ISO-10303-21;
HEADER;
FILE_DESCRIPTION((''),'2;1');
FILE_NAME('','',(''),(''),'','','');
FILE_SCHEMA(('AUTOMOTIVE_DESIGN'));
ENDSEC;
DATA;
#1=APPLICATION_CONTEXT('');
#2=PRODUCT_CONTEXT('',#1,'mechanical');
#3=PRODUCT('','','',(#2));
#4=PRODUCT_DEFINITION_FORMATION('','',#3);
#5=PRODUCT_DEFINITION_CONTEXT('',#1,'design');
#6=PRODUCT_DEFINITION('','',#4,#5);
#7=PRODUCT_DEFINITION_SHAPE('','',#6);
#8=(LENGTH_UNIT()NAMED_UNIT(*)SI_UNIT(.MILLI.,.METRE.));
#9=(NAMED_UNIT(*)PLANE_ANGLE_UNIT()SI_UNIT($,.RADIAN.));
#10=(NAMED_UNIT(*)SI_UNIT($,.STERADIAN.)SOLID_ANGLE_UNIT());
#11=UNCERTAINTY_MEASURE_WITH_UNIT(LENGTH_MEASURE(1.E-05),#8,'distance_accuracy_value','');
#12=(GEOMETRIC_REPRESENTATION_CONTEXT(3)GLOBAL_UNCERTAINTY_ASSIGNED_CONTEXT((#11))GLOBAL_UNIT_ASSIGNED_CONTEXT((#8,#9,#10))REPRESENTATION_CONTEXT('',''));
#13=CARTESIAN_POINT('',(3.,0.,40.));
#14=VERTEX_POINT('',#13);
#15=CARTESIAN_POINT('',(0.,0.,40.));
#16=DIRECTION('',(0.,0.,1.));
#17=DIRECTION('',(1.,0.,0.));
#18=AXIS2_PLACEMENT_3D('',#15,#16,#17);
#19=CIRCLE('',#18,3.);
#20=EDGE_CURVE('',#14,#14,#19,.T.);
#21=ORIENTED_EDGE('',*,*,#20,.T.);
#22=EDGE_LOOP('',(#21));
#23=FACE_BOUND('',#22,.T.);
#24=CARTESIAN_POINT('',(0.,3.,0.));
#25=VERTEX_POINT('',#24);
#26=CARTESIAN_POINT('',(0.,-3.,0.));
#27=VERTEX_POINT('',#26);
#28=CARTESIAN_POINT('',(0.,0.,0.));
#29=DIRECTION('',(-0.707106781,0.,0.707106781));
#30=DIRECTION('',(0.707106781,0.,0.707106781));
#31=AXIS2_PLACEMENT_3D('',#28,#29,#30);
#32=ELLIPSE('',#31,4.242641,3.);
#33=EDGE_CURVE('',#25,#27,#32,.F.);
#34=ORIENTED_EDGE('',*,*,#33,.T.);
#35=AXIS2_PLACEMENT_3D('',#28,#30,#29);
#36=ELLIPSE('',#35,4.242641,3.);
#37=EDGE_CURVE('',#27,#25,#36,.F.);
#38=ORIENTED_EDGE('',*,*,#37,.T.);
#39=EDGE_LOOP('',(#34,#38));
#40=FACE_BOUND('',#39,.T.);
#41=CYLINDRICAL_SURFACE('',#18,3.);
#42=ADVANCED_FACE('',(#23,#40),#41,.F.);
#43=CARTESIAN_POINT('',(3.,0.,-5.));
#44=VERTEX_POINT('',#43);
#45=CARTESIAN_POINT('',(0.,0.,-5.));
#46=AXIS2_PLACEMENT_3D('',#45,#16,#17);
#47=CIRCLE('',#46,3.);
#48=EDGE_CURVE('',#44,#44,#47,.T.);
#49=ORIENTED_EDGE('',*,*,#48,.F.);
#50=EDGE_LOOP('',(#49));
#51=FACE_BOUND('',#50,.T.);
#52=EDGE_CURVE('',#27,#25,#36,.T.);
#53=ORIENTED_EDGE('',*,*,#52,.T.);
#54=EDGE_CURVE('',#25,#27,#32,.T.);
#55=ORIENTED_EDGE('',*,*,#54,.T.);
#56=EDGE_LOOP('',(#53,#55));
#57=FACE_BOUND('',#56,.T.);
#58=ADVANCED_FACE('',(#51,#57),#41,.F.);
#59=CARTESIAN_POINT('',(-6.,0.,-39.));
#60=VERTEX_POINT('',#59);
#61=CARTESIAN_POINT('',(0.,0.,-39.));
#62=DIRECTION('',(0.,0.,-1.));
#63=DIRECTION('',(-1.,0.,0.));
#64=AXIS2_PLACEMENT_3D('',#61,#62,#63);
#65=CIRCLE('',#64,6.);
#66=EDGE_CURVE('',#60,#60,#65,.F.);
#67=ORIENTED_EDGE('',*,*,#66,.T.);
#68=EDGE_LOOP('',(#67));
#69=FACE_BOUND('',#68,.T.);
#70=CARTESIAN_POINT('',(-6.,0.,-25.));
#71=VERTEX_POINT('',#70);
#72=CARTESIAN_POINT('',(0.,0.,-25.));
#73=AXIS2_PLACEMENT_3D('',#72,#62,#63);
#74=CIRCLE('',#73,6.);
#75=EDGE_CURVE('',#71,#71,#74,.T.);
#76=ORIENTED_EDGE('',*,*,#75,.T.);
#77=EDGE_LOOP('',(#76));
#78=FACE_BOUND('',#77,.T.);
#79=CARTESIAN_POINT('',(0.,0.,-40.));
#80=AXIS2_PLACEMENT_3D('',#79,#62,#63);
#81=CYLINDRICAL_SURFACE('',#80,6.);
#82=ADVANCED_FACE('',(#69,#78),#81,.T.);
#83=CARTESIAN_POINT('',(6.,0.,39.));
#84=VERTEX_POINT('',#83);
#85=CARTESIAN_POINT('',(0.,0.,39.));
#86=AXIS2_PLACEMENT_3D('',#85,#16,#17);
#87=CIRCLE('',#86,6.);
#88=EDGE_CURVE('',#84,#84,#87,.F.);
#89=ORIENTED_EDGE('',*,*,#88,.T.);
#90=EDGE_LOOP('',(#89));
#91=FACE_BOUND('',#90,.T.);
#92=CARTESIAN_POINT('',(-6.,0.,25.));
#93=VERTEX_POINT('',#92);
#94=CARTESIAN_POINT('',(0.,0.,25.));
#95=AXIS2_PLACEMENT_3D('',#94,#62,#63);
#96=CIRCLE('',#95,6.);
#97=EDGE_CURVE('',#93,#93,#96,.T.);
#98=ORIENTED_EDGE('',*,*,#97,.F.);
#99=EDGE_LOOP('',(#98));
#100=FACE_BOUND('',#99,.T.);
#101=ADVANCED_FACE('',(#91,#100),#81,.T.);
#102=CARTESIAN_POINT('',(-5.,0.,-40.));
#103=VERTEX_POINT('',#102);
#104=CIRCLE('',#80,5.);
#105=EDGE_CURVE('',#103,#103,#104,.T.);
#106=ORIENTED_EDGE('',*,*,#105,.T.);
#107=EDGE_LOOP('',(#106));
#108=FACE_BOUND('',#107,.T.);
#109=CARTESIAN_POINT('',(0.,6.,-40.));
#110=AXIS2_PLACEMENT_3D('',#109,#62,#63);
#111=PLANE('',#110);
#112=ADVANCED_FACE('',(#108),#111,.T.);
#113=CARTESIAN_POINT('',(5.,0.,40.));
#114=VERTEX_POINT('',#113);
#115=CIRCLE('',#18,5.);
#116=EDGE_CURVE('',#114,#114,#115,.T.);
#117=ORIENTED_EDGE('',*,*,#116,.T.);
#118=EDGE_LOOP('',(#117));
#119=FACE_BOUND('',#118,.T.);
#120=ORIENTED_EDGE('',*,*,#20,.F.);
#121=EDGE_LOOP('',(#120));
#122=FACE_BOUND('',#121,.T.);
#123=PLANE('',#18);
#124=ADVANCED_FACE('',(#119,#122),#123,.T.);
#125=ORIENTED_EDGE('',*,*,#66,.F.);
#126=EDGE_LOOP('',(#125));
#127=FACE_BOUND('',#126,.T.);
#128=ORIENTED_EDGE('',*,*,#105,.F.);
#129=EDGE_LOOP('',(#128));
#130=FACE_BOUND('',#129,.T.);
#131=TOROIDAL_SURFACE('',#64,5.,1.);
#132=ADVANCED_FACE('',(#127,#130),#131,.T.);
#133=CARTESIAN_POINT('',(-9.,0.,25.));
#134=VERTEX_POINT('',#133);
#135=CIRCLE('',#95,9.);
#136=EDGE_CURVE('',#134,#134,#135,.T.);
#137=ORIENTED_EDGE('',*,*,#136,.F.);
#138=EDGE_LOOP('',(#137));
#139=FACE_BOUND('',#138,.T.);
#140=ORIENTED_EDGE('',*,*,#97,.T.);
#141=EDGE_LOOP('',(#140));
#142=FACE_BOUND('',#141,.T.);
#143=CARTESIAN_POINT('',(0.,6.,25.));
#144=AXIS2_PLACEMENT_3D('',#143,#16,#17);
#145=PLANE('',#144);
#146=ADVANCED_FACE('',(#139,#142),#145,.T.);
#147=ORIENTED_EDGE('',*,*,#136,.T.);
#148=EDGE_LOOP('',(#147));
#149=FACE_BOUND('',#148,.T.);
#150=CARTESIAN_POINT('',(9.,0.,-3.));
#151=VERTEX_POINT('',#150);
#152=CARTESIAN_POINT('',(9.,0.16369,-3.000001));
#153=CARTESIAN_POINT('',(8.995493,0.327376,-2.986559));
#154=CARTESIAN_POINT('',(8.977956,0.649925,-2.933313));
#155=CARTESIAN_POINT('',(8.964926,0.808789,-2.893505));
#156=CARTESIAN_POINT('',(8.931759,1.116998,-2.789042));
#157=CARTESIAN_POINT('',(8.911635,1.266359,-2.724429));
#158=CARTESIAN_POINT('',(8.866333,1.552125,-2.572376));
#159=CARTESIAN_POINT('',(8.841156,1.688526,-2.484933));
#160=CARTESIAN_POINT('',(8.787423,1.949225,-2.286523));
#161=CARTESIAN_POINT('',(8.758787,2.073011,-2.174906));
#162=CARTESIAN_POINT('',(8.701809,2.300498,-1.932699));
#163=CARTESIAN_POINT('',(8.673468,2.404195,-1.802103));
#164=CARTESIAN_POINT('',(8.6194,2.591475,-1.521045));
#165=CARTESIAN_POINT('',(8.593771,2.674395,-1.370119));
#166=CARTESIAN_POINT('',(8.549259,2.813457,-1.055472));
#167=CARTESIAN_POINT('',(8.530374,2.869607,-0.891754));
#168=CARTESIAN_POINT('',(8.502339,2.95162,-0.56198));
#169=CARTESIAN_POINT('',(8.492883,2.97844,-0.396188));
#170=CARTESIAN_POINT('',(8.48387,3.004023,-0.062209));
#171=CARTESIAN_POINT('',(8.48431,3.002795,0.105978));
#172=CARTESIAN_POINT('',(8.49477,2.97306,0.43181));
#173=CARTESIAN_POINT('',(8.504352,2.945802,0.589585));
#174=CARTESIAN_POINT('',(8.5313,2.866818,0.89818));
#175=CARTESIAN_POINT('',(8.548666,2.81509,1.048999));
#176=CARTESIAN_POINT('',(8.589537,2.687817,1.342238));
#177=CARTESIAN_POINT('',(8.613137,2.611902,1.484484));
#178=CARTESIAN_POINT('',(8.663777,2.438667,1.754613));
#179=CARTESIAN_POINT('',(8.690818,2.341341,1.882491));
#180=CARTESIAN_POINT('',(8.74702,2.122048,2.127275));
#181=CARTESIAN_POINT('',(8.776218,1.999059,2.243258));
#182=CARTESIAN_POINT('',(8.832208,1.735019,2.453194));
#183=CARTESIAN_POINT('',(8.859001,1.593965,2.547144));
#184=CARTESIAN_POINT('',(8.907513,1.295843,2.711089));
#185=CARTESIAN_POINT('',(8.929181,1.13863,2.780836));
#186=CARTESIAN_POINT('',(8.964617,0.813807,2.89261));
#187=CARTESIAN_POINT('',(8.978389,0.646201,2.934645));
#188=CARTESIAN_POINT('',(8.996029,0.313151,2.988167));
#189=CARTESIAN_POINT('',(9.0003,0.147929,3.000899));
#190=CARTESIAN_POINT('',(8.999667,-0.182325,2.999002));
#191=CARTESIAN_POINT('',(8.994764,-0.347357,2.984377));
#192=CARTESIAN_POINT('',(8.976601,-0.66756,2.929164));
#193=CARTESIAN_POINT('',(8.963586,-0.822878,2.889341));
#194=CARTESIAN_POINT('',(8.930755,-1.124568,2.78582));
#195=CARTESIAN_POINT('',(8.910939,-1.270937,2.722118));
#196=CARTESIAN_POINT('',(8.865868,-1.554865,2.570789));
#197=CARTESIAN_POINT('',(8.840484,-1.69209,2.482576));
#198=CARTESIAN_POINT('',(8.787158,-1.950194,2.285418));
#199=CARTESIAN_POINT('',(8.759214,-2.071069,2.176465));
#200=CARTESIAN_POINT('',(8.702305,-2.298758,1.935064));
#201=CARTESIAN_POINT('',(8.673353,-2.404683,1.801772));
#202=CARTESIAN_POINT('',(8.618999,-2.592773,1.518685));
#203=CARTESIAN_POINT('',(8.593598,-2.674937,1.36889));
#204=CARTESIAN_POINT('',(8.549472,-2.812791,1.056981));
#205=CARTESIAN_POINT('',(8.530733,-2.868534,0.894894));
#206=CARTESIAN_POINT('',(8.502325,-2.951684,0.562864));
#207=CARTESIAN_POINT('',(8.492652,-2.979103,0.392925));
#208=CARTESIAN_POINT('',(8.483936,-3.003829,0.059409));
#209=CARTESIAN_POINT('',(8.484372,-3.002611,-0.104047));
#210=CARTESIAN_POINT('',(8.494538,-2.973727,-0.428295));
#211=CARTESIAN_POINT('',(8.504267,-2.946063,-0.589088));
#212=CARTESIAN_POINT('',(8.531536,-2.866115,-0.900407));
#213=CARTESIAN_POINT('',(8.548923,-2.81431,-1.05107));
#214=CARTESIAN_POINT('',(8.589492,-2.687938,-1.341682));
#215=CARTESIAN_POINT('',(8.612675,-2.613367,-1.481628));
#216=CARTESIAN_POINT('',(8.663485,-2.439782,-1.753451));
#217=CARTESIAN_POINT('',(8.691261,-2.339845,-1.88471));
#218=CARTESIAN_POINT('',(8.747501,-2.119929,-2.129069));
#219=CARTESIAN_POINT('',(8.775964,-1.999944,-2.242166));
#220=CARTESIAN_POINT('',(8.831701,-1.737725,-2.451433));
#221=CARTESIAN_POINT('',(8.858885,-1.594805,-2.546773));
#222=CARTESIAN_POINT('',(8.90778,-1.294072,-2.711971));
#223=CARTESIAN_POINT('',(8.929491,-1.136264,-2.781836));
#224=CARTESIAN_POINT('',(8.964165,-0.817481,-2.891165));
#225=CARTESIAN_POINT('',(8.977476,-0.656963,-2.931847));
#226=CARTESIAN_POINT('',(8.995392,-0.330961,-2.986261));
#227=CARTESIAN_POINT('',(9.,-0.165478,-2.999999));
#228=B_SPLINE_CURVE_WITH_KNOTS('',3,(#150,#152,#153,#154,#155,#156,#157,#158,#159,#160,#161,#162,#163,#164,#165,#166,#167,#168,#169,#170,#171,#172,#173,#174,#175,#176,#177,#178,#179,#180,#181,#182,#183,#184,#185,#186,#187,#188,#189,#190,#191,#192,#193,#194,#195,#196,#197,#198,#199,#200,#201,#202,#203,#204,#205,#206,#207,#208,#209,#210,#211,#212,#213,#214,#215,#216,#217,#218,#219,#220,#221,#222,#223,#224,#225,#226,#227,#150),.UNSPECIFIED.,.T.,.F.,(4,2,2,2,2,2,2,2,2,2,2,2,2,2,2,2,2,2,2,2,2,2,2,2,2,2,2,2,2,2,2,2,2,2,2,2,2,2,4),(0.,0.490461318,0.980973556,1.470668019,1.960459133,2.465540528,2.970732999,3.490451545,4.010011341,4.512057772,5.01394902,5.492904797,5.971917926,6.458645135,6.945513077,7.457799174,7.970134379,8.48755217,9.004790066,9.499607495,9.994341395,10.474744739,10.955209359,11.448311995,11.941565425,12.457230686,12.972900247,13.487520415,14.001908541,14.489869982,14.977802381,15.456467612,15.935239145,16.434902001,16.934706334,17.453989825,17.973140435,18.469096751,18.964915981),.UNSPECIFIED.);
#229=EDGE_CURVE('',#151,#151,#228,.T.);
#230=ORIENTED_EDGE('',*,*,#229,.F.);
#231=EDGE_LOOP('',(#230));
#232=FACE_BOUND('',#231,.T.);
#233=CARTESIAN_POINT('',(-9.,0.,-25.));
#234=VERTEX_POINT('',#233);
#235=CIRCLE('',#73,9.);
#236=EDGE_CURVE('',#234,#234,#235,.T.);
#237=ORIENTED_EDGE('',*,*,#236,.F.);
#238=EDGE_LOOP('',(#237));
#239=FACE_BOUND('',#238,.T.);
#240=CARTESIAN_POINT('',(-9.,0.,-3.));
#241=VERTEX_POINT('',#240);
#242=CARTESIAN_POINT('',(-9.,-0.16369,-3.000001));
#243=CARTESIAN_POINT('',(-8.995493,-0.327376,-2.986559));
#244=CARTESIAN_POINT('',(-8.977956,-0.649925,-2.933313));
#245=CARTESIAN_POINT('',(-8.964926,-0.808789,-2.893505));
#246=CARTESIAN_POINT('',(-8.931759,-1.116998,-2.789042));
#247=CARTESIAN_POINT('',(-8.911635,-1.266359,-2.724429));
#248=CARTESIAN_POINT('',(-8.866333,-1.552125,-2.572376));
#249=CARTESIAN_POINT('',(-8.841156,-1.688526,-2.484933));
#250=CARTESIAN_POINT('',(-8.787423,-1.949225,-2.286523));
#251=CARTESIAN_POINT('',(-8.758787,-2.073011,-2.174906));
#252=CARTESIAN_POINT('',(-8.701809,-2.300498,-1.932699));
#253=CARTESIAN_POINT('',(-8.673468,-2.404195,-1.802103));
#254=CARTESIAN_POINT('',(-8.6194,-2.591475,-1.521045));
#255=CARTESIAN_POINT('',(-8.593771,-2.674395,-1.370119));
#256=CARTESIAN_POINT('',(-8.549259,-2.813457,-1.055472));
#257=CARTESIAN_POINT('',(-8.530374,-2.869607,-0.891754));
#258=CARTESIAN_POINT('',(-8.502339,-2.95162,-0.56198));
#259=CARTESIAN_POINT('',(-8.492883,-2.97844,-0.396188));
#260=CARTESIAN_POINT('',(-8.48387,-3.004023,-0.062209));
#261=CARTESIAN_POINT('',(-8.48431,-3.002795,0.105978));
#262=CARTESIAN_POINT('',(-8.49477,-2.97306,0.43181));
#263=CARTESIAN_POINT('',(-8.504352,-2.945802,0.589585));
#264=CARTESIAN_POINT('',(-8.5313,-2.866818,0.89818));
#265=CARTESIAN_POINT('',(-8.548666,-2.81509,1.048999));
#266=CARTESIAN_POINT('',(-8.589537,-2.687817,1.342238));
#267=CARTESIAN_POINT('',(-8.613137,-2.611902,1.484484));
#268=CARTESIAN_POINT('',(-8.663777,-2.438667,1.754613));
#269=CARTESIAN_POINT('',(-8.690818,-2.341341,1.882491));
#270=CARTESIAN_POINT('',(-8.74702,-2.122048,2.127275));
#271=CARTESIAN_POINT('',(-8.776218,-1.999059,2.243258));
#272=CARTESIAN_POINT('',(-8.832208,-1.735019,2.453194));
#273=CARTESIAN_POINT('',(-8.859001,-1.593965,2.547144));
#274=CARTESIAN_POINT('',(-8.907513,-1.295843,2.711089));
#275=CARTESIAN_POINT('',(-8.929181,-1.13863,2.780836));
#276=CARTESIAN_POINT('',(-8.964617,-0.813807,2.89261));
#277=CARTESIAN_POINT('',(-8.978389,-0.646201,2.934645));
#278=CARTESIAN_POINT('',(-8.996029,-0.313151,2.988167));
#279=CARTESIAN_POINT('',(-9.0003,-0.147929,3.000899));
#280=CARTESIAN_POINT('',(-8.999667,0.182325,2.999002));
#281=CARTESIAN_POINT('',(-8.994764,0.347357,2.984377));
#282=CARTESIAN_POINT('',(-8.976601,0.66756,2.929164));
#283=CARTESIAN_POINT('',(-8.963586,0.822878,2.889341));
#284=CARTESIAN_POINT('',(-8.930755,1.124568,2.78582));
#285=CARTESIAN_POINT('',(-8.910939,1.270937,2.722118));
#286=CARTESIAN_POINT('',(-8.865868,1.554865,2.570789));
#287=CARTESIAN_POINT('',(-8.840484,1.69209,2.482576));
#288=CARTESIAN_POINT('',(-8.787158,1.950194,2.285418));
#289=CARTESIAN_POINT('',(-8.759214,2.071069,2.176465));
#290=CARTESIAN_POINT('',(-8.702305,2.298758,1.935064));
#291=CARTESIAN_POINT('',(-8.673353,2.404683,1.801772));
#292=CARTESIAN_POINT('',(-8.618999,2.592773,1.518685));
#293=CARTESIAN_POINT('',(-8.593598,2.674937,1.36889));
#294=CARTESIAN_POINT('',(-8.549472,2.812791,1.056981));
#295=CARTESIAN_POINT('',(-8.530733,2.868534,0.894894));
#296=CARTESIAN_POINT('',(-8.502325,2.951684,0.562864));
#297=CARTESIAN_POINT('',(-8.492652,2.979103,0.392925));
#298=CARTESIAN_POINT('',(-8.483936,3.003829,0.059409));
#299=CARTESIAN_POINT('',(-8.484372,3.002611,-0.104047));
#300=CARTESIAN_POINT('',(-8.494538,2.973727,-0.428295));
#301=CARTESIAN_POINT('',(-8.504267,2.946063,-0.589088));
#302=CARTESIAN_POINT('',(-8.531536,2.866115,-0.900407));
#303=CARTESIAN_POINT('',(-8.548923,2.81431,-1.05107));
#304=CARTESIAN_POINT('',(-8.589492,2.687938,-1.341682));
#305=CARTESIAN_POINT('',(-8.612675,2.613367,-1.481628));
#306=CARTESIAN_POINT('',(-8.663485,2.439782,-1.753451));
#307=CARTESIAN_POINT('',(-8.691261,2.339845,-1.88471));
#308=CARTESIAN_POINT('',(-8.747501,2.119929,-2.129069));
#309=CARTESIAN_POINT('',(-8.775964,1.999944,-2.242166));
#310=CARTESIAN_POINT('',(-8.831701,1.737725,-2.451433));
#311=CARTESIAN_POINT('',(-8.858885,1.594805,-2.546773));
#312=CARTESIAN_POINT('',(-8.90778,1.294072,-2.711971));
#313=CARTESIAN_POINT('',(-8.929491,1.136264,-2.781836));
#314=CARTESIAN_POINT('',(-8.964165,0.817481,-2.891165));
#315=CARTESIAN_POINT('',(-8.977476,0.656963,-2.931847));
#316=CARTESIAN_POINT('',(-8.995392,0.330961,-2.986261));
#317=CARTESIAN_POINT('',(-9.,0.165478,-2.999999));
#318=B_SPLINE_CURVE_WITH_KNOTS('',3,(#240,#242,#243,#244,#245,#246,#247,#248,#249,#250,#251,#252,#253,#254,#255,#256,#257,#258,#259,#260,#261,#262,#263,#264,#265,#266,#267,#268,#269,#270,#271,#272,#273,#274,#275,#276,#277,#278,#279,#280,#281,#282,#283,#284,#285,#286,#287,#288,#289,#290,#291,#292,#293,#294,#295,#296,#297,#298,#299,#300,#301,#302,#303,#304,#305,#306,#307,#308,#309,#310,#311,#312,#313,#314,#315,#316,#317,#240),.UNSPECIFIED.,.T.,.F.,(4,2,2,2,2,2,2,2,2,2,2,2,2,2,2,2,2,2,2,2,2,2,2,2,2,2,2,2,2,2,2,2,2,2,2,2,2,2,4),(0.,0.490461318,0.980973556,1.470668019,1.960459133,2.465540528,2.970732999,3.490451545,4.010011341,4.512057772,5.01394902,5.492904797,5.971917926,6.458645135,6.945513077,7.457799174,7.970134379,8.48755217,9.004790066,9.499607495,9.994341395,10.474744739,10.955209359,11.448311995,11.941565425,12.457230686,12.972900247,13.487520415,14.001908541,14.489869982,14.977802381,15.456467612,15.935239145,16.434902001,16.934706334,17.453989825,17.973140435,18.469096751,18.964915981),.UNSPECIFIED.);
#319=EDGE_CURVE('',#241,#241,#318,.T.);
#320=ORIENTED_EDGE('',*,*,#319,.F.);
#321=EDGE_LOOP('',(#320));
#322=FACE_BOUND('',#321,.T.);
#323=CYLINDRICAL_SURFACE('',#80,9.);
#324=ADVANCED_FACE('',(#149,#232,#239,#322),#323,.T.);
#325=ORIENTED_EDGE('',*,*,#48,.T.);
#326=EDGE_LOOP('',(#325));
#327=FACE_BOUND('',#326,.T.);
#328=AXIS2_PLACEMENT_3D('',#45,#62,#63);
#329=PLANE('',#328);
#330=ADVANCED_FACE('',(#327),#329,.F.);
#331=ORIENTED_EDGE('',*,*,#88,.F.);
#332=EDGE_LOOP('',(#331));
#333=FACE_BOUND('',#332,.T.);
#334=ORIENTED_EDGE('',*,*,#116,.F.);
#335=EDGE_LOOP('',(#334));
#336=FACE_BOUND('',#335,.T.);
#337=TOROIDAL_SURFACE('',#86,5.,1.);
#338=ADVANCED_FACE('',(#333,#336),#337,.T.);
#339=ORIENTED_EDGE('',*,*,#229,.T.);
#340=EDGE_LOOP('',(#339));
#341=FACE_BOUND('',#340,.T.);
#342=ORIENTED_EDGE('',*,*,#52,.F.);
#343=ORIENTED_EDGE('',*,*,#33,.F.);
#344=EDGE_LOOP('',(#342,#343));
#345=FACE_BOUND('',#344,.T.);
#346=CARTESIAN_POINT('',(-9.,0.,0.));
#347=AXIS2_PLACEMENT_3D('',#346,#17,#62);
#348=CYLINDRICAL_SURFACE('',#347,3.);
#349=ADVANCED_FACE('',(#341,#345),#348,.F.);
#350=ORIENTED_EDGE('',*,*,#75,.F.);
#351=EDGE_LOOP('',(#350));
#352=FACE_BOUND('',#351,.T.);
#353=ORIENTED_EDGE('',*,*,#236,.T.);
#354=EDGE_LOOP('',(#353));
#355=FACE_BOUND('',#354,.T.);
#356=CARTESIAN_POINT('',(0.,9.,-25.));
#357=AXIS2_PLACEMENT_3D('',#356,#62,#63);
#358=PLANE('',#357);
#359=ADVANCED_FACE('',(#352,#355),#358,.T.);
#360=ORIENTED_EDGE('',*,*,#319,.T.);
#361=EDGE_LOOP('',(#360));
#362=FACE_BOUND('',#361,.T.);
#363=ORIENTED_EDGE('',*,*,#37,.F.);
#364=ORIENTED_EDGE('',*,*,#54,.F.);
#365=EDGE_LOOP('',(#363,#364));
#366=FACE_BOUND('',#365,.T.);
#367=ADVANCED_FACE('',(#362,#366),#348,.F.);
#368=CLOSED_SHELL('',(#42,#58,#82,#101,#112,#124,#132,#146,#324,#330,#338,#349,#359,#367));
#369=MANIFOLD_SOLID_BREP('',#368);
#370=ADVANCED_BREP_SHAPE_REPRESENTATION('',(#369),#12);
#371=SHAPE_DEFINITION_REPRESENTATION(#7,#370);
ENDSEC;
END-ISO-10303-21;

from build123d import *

# Parameters (mm, degrees)
FILLET1_R               = 1
HOLE1_D                 = 6
HOLE1_DEPTH             = 45
CUT_EXTRUDE1_DEPTH      = 42.976183724
CUT_EXTRUDE1_DEPTH_BACK = 42.976183724
SKETCH9_R               = 3


with BuildPart() as part:
    # Sketch1 → Revolve1 (revolve)
    with BuildSketch(Plane(origin=(0, 0, 0), x_dir=(0, 0, -1), z_dir=(1, 0, 0)), mode=Mode.PRIVATE) as revolve1_sk:
        Polygon((-40, 0), (-40, 6), (-25, 6), (-25, 9), (25, 9), (25, 6), (40, 6), (40, 0), align=None)
    revolve(revolve1_sk.sketch.rotate(Axis((0, 0, -40), (0, 0, 1)), 90), axis=Axis((0, 0, -40), (0, 0, 1)))

    # Fillet1
    fillet1_edges = [part.edges().sort_by_distance(p)[0] for p in [
        (6, 0, -40),
        (6, 0, 40),
    ]]
    fillet(fillet1_edges, radius=FILLET1_R)

    # Hole1
    with Locations(Plane.XY.offset(40)):
        with Locations((0, 0)):
            Hole(HOLE1_D / 2, depth=HOLE1_DEPTH)

    # Sketch9 → Cut-Extrude1 (cut, two sides: drawn at the far end of the back side and taken through both)
    with BuildSketch(Plane(origin=(0, 0, 0), x_dir=(0, 0, -1), z_dir=(1, 0, 0)).offset(-CUT_EXTRUDE1_DEPTH_BACK)):
        Circle(SKETCH9_R)
    extrude(amount=CUT_EXTRUDE1_DEPTH + CUT_EXTRUDE1_DEPTH_BACK, mode=Mode.SUBTRACT)


solid = part.part
